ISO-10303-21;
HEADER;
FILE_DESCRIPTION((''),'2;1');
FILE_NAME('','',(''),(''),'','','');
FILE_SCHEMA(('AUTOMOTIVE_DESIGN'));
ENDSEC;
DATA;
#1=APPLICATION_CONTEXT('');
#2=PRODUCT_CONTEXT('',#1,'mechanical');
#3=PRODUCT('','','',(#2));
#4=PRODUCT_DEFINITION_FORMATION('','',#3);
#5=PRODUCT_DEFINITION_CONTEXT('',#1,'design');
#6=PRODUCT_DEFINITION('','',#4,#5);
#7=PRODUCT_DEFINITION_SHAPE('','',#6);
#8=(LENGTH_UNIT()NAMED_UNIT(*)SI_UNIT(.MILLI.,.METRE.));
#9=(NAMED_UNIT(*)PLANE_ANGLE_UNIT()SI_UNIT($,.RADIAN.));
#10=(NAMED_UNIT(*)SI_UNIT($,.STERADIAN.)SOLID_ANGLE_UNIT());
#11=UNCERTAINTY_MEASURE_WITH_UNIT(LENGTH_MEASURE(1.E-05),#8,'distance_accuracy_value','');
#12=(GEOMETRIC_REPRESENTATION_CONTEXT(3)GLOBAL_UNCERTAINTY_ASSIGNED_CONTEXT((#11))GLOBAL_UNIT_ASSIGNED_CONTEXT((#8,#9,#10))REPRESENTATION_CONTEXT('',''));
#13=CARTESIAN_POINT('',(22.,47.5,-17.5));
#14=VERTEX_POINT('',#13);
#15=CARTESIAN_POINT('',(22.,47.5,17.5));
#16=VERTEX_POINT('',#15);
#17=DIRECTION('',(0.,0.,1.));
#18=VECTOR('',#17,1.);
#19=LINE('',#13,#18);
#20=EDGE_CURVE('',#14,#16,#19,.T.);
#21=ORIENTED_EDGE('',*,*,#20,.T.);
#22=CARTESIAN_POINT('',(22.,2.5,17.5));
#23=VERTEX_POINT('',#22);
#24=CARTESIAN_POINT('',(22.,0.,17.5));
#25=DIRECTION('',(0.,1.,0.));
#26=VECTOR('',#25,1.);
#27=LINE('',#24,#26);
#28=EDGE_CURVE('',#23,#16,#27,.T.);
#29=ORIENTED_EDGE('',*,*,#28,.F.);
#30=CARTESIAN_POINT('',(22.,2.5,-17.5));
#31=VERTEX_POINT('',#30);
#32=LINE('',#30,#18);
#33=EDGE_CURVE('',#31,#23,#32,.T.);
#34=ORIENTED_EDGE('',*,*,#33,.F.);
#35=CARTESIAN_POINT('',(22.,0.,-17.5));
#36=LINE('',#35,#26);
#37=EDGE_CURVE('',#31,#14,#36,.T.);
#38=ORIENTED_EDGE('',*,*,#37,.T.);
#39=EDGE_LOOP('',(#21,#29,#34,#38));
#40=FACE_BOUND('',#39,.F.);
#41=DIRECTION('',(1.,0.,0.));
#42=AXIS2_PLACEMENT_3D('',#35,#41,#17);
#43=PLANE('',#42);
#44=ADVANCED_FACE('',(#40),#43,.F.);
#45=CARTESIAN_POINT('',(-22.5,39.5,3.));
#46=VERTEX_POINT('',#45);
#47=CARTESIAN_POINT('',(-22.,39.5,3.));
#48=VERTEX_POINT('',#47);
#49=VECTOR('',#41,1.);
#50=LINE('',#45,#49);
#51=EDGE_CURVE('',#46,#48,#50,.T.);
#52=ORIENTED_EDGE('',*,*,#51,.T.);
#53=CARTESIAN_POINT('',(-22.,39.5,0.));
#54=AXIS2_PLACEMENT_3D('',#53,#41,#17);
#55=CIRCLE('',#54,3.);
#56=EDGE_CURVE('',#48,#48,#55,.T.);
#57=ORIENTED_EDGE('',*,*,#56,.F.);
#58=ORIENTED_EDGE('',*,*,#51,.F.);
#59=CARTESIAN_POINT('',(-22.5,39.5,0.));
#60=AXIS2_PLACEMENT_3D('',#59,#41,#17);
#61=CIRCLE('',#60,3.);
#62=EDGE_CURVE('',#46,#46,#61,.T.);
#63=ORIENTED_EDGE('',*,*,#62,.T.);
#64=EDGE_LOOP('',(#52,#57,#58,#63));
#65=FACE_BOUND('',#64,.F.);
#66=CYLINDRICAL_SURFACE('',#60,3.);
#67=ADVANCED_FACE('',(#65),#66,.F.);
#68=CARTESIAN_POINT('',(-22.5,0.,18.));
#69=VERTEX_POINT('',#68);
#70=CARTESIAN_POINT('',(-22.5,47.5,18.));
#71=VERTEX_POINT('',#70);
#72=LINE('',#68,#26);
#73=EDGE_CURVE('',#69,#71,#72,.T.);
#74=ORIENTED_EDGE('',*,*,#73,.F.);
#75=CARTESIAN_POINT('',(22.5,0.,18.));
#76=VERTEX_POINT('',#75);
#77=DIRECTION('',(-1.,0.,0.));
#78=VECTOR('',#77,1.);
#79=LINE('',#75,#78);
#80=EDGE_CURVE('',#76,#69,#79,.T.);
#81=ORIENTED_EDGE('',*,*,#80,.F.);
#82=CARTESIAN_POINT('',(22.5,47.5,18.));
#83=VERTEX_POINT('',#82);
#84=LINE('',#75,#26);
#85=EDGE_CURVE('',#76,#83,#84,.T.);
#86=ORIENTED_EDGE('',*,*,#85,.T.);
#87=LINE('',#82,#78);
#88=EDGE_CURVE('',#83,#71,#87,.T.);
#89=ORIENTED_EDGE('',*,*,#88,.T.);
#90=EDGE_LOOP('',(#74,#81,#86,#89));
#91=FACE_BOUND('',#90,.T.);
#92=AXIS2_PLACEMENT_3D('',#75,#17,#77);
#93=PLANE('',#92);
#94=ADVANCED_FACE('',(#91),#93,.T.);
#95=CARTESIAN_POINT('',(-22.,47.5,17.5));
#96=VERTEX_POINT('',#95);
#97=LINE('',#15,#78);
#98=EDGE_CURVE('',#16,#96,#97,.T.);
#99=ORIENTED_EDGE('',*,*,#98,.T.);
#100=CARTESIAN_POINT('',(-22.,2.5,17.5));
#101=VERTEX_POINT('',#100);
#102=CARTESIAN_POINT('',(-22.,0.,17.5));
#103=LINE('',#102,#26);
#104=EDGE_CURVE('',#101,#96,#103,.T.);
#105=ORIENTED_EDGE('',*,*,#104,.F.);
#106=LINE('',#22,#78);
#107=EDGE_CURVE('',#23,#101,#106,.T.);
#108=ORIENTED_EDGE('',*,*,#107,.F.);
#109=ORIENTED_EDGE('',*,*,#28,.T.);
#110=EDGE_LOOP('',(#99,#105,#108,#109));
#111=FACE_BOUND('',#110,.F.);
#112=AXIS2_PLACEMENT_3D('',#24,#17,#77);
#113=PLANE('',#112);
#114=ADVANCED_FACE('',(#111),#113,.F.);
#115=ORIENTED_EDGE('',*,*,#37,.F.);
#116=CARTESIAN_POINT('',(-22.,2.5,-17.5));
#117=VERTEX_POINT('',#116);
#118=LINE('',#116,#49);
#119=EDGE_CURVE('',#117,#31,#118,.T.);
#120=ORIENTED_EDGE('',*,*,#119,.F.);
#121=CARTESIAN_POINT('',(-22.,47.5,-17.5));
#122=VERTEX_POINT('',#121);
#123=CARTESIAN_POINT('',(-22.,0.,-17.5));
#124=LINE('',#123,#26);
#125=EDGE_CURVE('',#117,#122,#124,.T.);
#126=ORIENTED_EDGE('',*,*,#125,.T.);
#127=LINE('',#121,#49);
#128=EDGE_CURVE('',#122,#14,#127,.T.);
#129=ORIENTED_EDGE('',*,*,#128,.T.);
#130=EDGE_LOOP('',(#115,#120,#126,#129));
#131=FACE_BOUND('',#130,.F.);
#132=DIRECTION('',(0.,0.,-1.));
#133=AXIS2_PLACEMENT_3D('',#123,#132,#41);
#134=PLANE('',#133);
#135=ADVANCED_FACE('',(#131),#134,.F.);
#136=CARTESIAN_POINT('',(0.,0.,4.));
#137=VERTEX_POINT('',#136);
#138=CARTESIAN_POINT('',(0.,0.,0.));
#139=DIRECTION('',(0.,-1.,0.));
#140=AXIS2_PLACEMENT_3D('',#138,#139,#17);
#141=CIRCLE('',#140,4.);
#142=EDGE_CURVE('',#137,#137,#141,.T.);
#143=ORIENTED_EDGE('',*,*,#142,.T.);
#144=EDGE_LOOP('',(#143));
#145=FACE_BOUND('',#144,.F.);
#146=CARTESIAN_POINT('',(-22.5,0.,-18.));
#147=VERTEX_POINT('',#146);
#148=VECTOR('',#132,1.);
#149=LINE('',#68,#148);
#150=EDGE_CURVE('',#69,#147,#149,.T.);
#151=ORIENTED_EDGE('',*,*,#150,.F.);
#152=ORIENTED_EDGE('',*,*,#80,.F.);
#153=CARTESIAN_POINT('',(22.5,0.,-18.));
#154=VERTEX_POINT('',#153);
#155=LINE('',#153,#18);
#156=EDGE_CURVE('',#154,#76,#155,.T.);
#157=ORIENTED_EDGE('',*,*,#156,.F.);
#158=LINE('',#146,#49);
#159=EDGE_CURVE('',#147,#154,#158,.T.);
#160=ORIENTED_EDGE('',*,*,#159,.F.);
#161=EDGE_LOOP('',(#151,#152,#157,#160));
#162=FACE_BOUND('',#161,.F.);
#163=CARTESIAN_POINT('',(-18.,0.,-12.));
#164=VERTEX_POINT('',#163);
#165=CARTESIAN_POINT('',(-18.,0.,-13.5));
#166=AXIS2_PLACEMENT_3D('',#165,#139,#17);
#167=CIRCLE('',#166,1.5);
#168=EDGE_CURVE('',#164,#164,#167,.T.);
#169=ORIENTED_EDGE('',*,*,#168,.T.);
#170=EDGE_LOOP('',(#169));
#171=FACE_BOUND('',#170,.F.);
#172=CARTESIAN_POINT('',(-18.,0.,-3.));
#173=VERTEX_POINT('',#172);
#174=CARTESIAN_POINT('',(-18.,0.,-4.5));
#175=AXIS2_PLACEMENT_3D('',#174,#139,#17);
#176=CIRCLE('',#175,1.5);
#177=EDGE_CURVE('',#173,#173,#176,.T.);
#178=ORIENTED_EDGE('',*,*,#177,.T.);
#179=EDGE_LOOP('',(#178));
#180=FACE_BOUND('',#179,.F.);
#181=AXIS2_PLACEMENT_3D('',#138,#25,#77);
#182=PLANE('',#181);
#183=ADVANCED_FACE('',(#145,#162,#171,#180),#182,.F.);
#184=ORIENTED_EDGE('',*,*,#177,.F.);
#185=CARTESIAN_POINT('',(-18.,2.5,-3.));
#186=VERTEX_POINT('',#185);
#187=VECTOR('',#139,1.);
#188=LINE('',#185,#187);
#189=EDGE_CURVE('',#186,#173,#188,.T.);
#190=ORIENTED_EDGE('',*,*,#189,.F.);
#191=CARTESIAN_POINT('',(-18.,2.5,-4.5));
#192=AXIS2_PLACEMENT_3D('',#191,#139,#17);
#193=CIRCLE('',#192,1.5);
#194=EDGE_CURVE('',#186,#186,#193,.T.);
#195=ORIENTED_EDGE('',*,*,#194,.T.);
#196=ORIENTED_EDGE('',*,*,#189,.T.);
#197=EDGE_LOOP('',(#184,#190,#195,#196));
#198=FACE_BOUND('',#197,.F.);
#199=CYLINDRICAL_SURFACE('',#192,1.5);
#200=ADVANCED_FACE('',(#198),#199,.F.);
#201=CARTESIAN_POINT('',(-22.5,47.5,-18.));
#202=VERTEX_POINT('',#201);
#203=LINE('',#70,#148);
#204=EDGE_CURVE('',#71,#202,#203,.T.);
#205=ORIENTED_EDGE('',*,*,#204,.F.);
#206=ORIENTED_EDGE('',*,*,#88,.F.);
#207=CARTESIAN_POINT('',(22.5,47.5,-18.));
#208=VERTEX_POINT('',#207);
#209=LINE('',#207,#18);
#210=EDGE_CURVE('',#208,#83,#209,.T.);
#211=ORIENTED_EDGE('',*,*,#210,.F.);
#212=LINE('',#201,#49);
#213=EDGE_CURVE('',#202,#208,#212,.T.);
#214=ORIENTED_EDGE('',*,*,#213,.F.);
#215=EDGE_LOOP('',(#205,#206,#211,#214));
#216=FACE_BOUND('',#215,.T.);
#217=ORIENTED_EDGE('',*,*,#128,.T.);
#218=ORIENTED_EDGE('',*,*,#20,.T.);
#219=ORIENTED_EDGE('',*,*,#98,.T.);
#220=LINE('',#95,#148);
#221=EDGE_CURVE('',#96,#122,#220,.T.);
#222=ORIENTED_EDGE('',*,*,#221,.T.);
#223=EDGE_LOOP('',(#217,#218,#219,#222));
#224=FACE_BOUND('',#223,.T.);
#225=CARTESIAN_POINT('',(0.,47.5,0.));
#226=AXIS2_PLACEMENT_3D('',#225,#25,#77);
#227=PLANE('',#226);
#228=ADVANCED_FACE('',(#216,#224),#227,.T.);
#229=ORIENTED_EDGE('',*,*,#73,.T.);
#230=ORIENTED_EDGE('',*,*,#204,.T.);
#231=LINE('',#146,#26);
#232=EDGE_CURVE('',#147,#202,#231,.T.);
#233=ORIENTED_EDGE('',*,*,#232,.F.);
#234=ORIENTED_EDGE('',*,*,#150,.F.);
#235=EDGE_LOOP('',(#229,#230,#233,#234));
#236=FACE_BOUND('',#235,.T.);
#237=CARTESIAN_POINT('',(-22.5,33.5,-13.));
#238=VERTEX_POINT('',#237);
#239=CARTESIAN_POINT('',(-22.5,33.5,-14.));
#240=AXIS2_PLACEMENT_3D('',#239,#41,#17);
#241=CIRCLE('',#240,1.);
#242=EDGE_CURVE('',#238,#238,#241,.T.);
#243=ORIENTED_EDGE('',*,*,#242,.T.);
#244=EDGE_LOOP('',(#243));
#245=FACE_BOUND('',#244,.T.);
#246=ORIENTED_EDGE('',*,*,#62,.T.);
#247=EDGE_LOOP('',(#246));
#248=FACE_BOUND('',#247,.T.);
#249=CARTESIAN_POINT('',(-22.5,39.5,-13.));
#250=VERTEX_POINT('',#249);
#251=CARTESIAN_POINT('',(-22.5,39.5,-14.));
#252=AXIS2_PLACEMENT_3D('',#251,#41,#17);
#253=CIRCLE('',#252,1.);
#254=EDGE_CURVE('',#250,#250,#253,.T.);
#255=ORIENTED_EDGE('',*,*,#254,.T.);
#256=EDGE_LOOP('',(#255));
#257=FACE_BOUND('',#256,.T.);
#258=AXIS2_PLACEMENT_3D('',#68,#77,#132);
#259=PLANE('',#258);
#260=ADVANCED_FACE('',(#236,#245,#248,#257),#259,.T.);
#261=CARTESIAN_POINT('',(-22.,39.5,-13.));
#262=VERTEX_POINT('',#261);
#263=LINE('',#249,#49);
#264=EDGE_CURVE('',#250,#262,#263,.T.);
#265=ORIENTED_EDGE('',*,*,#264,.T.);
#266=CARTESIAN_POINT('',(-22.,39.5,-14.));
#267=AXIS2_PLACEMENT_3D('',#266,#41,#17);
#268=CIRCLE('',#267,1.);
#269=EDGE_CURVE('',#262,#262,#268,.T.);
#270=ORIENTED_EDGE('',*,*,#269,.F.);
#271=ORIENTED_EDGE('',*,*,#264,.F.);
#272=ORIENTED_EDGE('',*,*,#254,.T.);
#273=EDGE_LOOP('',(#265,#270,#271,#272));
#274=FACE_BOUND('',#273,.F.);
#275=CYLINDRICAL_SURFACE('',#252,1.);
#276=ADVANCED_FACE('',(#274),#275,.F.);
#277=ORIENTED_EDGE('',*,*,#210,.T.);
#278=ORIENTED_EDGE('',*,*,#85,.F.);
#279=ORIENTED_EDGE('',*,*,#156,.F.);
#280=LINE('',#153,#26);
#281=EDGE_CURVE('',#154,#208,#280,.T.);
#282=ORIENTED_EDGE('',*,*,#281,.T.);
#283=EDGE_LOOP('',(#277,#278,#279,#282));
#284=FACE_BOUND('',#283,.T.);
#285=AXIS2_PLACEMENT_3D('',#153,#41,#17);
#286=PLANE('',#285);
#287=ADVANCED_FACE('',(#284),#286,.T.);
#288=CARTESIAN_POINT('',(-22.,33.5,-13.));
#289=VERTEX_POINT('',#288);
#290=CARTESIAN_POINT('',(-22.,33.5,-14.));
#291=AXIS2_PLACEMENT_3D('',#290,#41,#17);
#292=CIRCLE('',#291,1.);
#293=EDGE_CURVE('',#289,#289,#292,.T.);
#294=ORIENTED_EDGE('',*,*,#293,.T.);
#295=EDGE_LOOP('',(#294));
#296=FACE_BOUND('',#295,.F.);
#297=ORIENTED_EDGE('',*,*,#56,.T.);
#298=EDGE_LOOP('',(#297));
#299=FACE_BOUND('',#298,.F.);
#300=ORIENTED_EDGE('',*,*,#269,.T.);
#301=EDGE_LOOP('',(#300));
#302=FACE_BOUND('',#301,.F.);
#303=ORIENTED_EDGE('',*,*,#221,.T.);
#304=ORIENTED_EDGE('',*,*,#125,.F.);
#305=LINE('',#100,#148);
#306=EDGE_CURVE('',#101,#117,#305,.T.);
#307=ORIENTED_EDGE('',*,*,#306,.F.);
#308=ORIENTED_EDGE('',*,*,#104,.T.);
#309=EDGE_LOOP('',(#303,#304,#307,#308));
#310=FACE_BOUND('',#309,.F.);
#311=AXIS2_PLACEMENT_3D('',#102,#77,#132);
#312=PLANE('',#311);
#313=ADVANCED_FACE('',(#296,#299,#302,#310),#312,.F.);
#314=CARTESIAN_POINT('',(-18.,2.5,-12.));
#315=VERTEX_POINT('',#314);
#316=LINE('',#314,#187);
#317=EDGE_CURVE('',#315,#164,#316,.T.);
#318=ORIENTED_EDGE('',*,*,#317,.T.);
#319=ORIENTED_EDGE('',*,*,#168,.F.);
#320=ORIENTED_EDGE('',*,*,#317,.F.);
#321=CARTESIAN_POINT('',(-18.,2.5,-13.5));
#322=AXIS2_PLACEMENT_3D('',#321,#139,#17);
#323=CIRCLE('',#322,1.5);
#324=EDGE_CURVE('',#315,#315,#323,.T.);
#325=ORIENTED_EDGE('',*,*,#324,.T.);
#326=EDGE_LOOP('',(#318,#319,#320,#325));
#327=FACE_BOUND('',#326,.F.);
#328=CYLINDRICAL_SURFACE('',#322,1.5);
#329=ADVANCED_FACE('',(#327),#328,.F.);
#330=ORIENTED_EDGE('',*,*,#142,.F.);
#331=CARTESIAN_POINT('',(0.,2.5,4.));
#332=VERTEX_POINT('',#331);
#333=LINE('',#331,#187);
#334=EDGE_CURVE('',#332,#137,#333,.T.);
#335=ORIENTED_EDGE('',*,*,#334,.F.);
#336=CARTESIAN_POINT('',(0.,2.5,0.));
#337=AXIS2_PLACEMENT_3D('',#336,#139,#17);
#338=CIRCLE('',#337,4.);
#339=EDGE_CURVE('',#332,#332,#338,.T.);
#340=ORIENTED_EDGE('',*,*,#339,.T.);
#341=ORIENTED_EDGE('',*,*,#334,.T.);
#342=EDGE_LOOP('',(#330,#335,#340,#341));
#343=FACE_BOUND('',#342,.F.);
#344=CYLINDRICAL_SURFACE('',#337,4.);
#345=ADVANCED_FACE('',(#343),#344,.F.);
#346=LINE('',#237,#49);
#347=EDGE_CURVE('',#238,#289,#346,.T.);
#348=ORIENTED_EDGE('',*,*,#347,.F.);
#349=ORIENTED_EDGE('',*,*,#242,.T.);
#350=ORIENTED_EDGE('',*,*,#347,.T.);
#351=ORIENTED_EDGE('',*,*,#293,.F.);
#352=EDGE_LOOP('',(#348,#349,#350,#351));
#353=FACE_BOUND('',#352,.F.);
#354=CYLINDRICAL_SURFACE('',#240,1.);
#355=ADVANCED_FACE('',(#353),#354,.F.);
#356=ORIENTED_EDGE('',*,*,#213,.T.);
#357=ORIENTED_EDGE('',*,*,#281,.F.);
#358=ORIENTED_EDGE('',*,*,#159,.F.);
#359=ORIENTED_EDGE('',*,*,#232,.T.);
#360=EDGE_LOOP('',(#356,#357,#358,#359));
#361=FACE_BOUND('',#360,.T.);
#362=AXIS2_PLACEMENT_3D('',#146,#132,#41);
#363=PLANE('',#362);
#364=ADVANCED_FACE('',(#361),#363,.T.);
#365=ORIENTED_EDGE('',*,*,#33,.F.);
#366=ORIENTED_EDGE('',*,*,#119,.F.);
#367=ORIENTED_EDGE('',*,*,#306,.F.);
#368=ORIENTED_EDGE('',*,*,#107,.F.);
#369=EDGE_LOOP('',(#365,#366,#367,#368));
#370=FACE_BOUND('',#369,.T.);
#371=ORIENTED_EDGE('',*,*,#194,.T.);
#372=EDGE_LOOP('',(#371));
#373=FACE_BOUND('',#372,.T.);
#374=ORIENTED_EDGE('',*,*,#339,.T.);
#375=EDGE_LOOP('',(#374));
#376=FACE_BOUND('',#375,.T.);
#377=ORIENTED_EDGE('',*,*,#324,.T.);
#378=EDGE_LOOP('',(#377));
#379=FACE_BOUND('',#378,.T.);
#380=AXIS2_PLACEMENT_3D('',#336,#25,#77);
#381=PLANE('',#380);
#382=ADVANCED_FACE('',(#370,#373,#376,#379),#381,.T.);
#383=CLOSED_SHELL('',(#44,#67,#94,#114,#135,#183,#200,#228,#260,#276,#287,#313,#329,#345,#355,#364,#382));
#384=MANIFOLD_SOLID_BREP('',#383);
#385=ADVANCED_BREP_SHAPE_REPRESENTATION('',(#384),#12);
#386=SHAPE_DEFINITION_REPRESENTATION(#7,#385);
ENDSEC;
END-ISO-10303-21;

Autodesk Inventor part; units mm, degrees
ref_plane "YZ Plane" through (0, 0, 0) normal (1, 0, 0) x (0, 1, 0)
ref_plane "XZ Plane" through (0, 0, 0) normal (0, 1, 0) x (-1, 0, 0)
ref_plane "XY Plane" through (0, 0, 0) normal (0, 0, 1) x (1, 0, 0)
sketch "Sketch1" plane through (0, 0, 0) normal (0, 1, 0) x (-1, 0, 0)
  line L0 (-22.5, 18) -> (22.5, 18)
  line L1 (22.5, 18) -> (22.5, -18)
  line L2 (22.5, -18) -> (-22.5, -18)
  line L3 (-22.5, -18) -> (-22.5, 18)
  line L4 (-22.5, 18) -> (22.5, -18) construction
  line L5 (22.5, 18) -> (-22.5, -18) construction
  line L6 (-22, 17.5) -> (22, 17.5)
  line L7 (22, 17.5) -> (22, -17.5)
  line L8 (22, -17.5) -> (-22, -17.5)
  line L9 (-22, -17.5) -> (-22, 17.5)
  line L10 (-22, 17.5) -> (22, -17.5) construction
  line L11 (22, 17.5) -> (-22, -17.5) construction
  point P0 (0, 0)
  dimension "d0" = 45
  dimension "d1" = 36
  dimension "d2" = 44
  dimension "d3" = 35
extrude "Extrusion1" add sketch "Sketch1" along normal blind 2.5 contours L6 L7 L8 L9
extrude "Extrusion2" add sketch "Sketch1" along normal blind 47.5
sketch "Sketch2" plane through (0, 2.5, 0) normal (0, 1, 0) x (1, 0, 0)
  line L0 (-22.5, 18) -> (-22.5, -18) projected
  line L1 (22.5, 18) -> (-22.5, 18)
  line L2 (-22.5, 18) -> (-22.5, -18)
  line L3 (-22.5, -18) -> (22.5, -18)
  line L4 (22.5, -18) -> (22.5, 18)
  line L5 (22.5, 18) -> (-22.5, -18) construction
  line L6 (-22.5, 18) -> (22.5, -18) construction
  line L7 (22.5, 18) -> (-22.5, 18) projected
  line L8 (-22.5, 18) -> (-22.5, 13.5)
  line L9 (-22.5, 13.5) -> (-18, 13.5)
  line L10 (-18, 13.5) -> (-18, 4.5)
  point P0 (0, 0)
  point P1 (0, 0)
  dimension "d8" = 4.5
  dimension "d9" = 4.5
  dimension "d10" = 9
hole "Hole1" at (-18, 2.5, -4.5) at (-18, 2.5, -13.5) direction (0, -1, 0) diameter 3 depth 8
hole "Hole2" at (0, 2.5, 0) direction (0, -1, 0) diameter 8 depth 8
sketch "Sketch3" plane through (-22.5, 0, -18) normal (-1, 0, 0) x (0, 0, 1)
  line L0 (0, 0) -> (36, 0) projected
  line L1 (36, 0) -> (36, 47.5) projected
  line L2 (0, 47.5) -> (36, 47.5) projected
  line L3 (0, 0) -> (0, 47.5) projected
  line L4 (0, 47.5) -> (18, 47.5)
  line L5 (0, 47.5) -> (36, 47.5) projected
  line L6 (18, 47.5) -> (18, 39.5)
  line L7 (18, 39.5) -> (4, 39.5)
  line L8 (4, 39.5) -> (4, 33.5)
  point P0 (18, 0)
  dimension "d25" = 18
  dimension "d26" = 8
  dimension "d27" = 14
  dimension "d28" = 6
hole "Hole3" at (-22.5, 33.5, -14) at (-22.5, 39.5, -14) direction (1, 0, 0) diameter 2 depth 8
hole "Hole4" at (-22.5, 39.5, 0) direction (1, 0, 0) diameter 6 depth 8
thread "Thread1" size "M2x0.25" class "6H" standard "ANSI Metric M Profile" full length
thread "Thread2" size "M2x0.25" class "6H" standard "ANSI Metric M Profile" full length
properties part number "HUDISN-1-53"
